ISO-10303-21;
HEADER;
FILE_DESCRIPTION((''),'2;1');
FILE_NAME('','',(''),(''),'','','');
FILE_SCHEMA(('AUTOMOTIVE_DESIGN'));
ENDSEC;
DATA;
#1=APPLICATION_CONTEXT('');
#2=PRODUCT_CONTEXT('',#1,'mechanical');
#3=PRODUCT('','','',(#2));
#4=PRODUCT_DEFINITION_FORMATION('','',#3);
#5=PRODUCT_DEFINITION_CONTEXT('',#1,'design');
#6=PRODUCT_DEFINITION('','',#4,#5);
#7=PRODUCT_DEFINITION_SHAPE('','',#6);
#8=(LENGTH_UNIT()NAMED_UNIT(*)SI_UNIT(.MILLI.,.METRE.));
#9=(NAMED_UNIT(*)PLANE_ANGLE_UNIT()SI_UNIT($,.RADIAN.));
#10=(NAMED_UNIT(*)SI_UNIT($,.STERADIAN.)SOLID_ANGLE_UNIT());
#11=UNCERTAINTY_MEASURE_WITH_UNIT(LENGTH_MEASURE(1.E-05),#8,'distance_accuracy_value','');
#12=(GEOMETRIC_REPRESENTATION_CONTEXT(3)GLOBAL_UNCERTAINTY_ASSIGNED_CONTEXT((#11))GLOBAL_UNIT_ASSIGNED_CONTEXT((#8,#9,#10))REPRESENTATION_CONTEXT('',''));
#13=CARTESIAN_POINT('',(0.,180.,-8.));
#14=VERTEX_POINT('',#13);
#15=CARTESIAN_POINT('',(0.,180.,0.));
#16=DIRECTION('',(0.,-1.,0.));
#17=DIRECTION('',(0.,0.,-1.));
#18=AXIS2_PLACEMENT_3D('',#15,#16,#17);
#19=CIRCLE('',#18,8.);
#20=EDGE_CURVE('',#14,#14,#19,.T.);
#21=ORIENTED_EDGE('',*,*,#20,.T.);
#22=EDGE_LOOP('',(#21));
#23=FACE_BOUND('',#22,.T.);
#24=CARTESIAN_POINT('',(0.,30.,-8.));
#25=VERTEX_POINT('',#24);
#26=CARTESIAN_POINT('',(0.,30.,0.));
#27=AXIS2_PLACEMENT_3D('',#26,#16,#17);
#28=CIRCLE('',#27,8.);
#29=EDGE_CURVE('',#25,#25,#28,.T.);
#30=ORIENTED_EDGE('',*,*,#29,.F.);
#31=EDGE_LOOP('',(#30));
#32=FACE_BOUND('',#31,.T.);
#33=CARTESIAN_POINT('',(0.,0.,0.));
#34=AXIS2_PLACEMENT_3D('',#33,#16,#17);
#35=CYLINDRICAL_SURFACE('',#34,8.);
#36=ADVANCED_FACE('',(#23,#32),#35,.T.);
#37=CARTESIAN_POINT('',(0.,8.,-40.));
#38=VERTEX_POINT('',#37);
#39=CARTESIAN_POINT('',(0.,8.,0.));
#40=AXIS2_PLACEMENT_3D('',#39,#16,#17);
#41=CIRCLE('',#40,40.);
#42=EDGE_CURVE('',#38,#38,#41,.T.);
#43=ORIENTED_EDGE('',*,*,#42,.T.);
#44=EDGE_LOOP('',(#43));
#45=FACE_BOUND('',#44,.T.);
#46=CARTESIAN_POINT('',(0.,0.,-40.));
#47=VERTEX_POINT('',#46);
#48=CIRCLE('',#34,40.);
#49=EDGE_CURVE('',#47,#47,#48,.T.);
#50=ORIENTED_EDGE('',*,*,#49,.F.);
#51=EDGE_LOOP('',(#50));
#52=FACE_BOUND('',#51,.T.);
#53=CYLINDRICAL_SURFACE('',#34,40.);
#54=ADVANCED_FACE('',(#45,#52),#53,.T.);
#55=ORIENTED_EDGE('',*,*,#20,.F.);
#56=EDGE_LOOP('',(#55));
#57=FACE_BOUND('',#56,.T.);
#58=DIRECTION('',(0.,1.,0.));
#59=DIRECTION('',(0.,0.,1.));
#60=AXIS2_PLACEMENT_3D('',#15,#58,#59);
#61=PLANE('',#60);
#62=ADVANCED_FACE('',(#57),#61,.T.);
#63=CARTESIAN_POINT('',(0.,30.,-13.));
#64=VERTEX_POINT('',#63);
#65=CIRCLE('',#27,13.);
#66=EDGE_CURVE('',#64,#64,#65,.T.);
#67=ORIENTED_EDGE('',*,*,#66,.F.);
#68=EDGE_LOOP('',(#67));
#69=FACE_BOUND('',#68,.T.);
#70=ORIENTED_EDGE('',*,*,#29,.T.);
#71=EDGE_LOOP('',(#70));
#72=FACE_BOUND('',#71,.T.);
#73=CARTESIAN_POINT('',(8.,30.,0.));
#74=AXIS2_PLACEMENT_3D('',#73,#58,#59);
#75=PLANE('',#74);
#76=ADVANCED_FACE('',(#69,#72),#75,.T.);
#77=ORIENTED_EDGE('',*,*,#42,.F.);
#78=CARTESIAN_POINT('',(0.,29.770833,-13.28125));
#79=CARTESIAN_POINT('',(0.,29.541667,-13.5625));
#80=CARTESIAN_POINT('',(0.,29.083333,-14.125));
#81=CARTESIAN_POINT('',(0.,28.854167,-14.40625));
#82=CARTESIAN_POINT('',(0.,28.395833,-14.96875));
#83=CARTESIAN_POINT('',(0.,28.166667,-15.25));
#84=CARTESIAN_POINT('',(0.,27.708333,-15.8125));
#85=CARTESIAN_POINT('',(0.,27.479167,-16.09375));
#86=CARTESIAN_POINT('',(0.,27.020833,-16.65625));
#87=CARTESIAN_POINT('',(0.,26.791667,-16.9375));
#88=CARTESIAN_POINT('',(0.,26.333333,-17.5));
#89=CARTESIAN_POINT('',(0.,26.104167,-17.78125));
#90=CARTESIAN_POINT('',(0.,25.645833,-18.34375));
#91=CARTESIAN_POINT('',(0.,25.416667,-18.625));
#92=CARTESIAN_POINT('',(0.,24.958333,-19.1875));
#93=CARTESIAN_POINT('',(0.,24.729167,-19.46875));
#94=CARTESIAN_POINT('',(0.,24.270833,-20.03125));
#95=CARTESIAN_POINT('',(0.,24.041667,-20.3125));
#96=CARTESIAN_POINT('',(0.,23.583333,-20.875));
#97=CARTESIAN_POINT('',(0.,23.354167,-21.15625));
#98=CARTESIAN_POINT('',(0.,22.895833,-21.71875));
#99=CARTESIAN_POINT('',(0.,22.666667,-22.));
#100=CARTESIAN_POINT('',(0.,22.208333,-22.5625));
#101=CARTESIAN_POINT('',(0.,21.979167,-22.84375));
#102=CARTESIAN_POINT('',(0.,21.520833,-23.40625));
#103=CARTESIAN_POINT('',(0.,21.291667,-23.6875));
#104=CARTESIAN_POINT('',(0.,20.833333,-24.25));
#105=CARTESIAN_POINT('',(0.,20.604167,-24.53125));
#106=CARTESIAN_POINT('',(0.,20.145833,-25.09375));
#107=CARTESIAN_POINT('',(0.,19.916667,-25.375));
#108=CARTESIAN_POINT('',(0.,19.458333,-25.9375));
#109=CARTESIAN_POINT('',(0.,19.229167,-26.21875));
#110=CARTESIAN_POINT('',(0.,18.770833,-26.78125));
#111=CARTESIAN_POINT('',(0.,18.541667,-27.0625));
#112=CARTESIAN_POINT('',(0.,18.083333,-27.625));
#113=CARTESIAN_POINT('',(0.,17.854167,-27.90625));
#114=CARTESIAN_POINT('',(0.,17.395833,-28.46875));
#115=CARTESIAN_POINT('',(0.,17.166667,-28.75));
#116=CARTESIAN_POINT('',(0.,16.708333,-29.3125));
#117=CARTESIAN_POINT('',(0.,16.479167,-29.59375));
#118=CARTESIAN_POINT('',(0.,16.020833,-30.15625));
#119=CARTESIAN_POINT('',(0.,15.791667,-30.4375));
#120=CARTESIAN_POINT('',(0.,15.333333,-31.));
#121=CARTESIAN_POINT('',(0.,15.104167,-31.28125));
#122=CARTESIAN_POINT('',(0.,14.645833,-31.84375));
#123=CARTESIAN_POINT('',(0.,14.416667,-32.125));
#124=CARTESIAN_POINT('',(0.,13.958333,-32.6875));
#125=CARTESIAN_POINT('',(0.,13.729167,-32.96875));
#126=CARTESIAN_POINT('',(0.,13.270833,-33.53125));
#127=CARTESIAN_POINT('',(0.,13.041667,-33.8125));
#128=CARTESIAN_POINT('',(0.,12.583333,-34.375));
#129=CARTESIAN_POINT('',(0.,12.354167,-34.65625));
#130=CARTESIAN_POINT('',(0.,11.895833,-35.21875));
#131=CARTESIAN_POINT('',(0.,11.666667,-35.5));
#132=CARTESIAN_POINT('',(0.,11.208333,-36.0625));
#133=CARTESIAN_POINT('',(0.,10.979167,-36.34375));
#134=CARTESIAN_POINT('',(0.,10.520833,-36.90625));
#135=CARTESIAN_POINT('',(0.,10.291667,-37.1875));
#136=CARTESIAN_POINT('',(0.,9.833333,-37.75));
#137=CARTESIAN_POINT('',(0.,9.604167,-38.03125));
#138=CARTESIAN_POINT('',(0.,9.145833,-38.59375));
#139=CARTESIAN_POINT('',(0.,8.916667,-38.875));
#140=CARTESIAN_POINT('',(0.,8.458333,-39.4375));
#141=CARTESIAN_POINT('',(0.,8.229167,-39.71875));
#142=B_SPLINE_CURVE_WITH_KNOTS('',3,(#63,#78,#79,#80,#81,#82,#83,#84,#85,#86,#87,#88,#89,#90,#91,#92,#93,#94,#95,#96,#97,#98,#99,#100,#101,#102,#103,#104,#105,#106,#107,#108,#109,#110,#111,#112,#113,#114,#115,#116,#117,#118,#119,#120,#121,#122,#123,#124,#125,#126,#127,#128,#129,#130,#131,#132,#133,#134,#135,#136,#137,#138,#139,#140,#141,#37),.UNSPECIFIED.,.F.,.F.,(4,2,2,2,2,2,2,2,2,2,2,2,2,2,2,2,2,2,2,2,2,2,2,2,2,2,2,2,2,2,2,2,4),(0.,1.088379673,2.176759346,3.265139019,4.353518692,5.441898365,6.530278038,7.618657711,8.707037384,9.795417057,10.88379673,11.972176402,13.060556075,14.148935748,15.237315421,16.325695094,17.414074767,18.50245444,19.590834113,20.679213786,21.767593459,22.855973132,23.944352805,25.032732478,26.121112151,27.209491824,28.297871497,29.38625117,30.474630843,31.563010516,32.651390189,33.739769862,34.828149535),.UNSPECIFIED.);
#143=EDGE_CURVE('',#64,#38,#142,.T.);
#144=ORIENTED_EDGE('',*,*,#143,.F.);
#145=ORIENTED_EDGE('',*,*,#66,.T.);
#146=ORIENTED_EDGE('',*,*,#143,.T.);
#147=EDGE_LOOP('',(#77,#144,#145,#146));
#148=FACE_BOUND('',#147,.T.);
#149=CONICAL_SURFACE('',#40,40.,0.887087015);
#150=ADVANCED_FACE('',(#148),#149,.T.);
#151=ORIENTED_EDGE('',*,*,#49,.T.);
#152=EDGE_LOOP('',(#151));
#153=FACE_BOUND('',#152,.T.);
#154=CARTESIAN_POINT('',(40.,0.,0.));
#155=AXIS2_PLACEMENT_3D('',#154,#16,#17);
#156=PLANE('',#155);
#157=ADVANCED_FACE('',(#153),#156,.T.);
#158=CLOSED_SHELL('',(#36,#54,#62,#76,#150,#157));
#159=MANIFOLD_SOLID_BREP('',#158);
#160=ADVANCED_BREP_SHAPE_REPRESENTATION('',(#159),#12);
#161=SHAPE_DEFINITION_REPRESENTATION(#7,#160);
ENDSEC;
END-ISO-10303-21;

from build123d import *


with BuildPart() as part:
    # 草图1 → 旋转1 (revolve)
    with BuildSketch(Plane.XY, mode=Mode.PRIVATE) as revolve_1_sk:
        Polygon((0, 0), (0, 180), (8, 180), (8, 30), (13, 30), (40, 8), (40, 0), align=None)
    revolve(revolve_1_sk.sketch.rotate(Axis((0, 0, 0), (0, 1, 0)), 90), axis=Axis((0, 0, 0), (0, 1, 0)))


solid = part.part
